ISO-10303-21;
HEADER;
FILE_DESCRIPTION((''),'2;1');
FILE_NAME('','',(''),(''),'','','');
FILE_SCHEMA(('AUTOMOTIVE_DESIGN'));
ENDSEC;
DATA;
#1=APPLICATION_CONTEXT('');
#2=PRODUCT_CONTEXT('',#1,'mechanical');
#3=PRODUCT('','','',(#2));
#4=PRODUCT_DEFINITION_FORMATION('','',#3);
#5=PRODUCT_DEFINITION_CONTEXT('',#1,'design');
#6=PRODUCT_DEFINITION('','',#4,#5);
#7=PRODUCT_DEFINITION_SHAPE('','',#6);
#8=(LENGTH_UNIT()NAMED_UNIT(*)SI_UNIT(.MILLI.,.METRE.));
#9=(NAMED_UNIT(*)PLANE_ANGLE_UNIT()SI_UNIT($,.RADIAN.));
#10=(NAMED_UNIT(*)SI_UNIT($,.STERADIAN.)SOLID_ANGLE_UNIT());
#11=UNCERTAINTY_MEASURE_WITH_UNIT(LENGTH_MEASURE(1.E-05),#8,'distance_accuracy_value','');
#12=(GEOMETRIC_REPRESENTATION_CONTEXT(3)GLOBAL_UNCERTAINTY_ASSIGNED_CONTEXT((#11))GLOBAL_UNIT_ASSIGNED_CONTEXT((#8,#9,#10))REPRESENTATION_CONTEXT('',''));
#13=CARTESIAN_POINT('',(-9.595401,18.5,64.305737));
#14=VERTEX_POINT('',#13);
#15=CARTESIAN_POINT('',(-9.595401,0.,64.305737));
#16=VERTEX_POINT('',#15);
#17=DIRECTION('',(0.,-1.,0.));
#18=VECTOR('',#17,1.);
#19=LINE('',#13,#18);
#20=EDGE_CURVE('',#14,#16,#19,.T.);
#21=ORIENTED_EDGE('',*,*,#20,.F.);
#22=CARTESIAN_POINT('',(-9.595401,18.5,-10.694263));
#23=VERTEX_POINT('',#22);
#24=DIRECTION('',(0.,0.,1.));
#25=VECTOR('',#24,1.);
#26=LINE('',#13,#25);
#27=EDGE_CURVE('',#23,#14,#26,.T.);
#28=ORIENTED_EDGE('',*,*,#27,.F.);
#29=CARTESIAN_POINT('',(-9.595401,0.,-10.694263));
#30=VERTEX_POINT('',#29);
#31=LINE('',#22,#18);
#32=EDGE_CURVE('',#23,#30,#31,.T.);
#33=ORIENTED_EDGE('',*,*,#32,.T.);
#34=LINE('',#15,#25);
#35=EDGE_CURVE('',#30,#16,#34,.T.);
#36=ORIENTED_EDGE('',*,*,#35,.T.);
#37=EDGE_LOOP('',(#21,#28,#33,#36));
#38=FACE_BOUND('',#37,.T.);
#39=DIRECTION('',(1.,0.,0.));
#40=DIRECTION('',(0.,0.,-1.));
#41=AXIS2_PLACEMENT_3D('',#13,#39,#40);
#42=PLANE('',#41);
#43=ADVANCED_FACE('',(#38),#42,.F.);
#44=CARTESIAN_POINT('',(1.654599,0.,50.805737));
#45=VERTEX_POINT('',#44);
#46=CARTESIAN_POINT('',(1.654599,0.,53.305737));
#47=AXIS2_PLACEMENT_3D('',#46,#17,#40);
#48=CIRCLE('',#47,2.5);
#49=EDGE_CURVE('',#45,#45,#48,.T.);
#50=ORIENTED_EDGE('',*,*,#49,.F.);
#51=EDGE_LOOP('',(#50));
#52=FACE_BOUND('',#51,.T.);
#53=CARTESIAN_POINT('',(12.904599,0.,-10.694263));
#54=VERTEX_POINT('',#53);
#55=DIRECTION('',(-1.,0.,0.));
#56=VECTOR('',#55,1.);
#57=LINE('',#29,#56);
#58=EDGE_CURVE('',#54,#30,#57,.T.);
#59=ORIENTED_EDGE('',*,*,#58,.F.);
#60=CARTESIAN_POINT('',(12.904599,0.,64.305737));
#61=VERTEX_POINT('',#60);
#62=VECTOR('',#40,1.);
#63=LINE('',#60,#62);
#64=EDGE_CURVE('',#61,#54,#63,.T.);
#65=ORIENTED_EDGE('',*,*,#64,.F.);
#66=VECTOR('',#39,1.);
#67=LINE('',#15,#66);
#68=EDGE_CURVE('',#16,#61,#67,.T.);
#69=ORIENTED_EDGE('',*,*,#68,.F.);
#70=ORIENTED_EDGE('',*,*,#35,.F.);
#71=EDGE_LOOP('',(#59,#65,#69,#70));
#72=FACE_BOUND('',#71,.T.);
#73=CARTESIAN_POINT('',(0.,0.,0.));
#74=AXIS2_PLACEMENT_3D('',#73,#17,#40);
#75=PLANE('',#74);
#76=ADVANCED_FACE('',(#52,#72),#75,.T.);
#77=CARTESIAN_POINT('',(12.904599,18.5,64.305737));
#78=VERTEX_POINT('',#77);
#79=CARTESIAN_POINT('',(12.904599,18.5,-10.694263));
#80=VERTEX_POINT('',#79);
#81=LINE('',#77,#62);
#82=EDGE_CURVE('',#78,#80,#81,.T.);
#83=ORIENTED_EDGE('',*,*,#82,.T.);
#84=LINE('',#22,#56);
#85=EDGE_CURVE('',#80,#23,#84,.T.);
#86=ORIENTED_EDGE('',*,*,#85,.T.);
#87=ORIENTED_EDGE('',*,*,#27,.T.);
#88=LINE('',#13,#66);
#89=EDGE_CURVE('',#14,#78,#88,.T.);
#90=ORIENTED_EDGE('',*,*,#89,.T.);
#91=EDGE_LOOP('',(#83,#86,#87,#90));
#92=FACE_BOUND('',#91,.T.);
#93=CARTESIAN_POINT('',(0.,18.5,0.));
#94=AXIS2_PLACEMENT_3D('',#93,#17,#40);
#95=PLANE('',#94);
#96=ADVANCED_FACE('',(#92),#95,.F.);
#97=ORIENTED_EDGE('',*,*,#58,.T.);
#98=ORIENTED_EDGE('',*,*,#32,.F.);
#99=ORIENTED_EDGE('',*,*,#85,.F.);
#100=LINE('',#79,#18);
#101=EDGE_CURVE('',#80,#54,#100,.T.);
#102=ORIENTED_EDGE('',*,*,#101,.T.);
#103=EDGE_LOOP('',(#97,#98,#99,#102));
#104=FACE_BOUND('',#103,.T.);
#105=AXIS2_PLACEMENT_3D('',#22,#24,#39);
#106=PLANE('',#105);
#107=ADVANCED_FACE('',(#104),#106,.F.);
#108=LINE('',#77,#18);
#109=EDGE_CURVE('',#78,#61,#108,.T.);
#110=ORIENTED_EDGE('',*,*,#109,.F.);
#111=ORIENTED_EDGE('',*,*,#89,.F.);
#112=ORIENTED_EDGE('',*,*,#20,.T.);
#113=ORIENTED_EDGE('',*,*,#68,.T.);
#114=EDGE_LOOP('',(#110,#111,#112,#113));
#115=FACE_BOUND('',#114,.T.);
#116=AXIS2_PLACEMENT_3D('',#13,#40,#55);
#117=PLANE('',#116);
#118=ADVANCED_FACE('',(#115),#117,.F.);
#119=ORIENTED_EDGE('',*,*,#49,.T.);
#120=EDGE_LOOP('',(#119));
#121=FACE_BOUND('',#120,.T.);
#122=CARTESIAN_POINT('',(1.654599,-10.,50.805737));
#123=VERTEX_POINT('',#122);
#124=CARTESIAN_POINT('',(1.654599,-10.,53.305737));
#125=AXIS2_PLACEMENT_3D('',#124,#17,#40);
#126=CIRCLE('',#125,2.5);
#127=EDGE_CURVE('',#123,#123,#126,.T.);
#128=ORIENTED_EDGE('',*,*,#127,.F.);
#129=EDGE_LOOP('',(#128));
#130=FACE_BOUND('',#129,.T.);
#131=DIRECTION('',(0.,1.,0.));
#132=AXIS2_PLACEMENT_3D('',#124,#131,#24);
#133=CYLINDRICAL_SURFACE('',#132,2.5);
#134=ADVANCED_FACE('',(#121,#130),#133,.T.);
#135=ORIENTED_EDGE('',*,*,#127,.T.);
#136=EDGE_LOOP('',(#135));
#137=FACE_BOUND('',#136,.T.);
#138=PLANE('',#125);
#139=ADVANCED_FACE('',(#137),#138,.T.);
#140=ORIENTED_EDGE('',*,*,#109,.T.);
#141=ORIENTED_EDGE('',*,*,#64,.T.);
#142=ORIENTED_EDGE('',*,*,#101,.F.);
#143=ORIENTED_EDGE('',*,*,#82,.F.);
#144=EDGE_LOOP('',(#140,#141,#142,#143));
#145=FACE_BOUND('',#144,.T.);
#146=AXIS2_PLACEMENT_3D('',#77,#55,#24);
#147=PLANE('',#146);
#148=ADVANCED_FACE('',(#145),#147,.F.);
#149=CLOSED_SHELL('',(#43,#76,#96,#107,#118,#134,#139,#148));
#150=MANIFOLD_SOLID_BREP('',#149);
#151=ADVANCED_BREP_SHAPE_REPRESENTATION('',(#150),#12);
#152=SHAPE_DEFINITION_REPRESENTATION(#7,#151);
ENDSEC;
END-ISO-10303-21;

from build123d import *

# Parameters (mm, degrees)
SKETCH1_W           = 22.5
SKETCH1_H           = 75
BOSS_EXTRUDE1_DEPTH = 18.5
SKETCH2_R           = 2.5
BOSS_EXTRUDE2_DEPTH = 10


with BuildPart() as part:
    # Sketch1 → Boss-Extrude1 (new body)
    with BuildSketch(Plane(origin=(0, 0, 0), x_dir=(1, 0, 0), z_dir=(0, 1, 0))):
        with Locations((1.654599237, -26.805736676)):
            Rectangle(SKETCH1_W, SKETCH1_H)
    extrude(amount=BOSS_EXTRUDE1_DEPTH)

    # Sketch2 → Boss-Extrude2 (add)
    with BuildSketch(Plane(origin=(0, 0, 0), x_dir=(-1, 0, 0), z_dir=(0, -1, 0))):
        with Locations(Location((-1.654599237, -53.305736676, 0), (0, 0, 90))):
            Circle(SKETCH2_R)
    extrude(amount=BOSS_EXTRUDE2_DEPTH)


solid = part.part
